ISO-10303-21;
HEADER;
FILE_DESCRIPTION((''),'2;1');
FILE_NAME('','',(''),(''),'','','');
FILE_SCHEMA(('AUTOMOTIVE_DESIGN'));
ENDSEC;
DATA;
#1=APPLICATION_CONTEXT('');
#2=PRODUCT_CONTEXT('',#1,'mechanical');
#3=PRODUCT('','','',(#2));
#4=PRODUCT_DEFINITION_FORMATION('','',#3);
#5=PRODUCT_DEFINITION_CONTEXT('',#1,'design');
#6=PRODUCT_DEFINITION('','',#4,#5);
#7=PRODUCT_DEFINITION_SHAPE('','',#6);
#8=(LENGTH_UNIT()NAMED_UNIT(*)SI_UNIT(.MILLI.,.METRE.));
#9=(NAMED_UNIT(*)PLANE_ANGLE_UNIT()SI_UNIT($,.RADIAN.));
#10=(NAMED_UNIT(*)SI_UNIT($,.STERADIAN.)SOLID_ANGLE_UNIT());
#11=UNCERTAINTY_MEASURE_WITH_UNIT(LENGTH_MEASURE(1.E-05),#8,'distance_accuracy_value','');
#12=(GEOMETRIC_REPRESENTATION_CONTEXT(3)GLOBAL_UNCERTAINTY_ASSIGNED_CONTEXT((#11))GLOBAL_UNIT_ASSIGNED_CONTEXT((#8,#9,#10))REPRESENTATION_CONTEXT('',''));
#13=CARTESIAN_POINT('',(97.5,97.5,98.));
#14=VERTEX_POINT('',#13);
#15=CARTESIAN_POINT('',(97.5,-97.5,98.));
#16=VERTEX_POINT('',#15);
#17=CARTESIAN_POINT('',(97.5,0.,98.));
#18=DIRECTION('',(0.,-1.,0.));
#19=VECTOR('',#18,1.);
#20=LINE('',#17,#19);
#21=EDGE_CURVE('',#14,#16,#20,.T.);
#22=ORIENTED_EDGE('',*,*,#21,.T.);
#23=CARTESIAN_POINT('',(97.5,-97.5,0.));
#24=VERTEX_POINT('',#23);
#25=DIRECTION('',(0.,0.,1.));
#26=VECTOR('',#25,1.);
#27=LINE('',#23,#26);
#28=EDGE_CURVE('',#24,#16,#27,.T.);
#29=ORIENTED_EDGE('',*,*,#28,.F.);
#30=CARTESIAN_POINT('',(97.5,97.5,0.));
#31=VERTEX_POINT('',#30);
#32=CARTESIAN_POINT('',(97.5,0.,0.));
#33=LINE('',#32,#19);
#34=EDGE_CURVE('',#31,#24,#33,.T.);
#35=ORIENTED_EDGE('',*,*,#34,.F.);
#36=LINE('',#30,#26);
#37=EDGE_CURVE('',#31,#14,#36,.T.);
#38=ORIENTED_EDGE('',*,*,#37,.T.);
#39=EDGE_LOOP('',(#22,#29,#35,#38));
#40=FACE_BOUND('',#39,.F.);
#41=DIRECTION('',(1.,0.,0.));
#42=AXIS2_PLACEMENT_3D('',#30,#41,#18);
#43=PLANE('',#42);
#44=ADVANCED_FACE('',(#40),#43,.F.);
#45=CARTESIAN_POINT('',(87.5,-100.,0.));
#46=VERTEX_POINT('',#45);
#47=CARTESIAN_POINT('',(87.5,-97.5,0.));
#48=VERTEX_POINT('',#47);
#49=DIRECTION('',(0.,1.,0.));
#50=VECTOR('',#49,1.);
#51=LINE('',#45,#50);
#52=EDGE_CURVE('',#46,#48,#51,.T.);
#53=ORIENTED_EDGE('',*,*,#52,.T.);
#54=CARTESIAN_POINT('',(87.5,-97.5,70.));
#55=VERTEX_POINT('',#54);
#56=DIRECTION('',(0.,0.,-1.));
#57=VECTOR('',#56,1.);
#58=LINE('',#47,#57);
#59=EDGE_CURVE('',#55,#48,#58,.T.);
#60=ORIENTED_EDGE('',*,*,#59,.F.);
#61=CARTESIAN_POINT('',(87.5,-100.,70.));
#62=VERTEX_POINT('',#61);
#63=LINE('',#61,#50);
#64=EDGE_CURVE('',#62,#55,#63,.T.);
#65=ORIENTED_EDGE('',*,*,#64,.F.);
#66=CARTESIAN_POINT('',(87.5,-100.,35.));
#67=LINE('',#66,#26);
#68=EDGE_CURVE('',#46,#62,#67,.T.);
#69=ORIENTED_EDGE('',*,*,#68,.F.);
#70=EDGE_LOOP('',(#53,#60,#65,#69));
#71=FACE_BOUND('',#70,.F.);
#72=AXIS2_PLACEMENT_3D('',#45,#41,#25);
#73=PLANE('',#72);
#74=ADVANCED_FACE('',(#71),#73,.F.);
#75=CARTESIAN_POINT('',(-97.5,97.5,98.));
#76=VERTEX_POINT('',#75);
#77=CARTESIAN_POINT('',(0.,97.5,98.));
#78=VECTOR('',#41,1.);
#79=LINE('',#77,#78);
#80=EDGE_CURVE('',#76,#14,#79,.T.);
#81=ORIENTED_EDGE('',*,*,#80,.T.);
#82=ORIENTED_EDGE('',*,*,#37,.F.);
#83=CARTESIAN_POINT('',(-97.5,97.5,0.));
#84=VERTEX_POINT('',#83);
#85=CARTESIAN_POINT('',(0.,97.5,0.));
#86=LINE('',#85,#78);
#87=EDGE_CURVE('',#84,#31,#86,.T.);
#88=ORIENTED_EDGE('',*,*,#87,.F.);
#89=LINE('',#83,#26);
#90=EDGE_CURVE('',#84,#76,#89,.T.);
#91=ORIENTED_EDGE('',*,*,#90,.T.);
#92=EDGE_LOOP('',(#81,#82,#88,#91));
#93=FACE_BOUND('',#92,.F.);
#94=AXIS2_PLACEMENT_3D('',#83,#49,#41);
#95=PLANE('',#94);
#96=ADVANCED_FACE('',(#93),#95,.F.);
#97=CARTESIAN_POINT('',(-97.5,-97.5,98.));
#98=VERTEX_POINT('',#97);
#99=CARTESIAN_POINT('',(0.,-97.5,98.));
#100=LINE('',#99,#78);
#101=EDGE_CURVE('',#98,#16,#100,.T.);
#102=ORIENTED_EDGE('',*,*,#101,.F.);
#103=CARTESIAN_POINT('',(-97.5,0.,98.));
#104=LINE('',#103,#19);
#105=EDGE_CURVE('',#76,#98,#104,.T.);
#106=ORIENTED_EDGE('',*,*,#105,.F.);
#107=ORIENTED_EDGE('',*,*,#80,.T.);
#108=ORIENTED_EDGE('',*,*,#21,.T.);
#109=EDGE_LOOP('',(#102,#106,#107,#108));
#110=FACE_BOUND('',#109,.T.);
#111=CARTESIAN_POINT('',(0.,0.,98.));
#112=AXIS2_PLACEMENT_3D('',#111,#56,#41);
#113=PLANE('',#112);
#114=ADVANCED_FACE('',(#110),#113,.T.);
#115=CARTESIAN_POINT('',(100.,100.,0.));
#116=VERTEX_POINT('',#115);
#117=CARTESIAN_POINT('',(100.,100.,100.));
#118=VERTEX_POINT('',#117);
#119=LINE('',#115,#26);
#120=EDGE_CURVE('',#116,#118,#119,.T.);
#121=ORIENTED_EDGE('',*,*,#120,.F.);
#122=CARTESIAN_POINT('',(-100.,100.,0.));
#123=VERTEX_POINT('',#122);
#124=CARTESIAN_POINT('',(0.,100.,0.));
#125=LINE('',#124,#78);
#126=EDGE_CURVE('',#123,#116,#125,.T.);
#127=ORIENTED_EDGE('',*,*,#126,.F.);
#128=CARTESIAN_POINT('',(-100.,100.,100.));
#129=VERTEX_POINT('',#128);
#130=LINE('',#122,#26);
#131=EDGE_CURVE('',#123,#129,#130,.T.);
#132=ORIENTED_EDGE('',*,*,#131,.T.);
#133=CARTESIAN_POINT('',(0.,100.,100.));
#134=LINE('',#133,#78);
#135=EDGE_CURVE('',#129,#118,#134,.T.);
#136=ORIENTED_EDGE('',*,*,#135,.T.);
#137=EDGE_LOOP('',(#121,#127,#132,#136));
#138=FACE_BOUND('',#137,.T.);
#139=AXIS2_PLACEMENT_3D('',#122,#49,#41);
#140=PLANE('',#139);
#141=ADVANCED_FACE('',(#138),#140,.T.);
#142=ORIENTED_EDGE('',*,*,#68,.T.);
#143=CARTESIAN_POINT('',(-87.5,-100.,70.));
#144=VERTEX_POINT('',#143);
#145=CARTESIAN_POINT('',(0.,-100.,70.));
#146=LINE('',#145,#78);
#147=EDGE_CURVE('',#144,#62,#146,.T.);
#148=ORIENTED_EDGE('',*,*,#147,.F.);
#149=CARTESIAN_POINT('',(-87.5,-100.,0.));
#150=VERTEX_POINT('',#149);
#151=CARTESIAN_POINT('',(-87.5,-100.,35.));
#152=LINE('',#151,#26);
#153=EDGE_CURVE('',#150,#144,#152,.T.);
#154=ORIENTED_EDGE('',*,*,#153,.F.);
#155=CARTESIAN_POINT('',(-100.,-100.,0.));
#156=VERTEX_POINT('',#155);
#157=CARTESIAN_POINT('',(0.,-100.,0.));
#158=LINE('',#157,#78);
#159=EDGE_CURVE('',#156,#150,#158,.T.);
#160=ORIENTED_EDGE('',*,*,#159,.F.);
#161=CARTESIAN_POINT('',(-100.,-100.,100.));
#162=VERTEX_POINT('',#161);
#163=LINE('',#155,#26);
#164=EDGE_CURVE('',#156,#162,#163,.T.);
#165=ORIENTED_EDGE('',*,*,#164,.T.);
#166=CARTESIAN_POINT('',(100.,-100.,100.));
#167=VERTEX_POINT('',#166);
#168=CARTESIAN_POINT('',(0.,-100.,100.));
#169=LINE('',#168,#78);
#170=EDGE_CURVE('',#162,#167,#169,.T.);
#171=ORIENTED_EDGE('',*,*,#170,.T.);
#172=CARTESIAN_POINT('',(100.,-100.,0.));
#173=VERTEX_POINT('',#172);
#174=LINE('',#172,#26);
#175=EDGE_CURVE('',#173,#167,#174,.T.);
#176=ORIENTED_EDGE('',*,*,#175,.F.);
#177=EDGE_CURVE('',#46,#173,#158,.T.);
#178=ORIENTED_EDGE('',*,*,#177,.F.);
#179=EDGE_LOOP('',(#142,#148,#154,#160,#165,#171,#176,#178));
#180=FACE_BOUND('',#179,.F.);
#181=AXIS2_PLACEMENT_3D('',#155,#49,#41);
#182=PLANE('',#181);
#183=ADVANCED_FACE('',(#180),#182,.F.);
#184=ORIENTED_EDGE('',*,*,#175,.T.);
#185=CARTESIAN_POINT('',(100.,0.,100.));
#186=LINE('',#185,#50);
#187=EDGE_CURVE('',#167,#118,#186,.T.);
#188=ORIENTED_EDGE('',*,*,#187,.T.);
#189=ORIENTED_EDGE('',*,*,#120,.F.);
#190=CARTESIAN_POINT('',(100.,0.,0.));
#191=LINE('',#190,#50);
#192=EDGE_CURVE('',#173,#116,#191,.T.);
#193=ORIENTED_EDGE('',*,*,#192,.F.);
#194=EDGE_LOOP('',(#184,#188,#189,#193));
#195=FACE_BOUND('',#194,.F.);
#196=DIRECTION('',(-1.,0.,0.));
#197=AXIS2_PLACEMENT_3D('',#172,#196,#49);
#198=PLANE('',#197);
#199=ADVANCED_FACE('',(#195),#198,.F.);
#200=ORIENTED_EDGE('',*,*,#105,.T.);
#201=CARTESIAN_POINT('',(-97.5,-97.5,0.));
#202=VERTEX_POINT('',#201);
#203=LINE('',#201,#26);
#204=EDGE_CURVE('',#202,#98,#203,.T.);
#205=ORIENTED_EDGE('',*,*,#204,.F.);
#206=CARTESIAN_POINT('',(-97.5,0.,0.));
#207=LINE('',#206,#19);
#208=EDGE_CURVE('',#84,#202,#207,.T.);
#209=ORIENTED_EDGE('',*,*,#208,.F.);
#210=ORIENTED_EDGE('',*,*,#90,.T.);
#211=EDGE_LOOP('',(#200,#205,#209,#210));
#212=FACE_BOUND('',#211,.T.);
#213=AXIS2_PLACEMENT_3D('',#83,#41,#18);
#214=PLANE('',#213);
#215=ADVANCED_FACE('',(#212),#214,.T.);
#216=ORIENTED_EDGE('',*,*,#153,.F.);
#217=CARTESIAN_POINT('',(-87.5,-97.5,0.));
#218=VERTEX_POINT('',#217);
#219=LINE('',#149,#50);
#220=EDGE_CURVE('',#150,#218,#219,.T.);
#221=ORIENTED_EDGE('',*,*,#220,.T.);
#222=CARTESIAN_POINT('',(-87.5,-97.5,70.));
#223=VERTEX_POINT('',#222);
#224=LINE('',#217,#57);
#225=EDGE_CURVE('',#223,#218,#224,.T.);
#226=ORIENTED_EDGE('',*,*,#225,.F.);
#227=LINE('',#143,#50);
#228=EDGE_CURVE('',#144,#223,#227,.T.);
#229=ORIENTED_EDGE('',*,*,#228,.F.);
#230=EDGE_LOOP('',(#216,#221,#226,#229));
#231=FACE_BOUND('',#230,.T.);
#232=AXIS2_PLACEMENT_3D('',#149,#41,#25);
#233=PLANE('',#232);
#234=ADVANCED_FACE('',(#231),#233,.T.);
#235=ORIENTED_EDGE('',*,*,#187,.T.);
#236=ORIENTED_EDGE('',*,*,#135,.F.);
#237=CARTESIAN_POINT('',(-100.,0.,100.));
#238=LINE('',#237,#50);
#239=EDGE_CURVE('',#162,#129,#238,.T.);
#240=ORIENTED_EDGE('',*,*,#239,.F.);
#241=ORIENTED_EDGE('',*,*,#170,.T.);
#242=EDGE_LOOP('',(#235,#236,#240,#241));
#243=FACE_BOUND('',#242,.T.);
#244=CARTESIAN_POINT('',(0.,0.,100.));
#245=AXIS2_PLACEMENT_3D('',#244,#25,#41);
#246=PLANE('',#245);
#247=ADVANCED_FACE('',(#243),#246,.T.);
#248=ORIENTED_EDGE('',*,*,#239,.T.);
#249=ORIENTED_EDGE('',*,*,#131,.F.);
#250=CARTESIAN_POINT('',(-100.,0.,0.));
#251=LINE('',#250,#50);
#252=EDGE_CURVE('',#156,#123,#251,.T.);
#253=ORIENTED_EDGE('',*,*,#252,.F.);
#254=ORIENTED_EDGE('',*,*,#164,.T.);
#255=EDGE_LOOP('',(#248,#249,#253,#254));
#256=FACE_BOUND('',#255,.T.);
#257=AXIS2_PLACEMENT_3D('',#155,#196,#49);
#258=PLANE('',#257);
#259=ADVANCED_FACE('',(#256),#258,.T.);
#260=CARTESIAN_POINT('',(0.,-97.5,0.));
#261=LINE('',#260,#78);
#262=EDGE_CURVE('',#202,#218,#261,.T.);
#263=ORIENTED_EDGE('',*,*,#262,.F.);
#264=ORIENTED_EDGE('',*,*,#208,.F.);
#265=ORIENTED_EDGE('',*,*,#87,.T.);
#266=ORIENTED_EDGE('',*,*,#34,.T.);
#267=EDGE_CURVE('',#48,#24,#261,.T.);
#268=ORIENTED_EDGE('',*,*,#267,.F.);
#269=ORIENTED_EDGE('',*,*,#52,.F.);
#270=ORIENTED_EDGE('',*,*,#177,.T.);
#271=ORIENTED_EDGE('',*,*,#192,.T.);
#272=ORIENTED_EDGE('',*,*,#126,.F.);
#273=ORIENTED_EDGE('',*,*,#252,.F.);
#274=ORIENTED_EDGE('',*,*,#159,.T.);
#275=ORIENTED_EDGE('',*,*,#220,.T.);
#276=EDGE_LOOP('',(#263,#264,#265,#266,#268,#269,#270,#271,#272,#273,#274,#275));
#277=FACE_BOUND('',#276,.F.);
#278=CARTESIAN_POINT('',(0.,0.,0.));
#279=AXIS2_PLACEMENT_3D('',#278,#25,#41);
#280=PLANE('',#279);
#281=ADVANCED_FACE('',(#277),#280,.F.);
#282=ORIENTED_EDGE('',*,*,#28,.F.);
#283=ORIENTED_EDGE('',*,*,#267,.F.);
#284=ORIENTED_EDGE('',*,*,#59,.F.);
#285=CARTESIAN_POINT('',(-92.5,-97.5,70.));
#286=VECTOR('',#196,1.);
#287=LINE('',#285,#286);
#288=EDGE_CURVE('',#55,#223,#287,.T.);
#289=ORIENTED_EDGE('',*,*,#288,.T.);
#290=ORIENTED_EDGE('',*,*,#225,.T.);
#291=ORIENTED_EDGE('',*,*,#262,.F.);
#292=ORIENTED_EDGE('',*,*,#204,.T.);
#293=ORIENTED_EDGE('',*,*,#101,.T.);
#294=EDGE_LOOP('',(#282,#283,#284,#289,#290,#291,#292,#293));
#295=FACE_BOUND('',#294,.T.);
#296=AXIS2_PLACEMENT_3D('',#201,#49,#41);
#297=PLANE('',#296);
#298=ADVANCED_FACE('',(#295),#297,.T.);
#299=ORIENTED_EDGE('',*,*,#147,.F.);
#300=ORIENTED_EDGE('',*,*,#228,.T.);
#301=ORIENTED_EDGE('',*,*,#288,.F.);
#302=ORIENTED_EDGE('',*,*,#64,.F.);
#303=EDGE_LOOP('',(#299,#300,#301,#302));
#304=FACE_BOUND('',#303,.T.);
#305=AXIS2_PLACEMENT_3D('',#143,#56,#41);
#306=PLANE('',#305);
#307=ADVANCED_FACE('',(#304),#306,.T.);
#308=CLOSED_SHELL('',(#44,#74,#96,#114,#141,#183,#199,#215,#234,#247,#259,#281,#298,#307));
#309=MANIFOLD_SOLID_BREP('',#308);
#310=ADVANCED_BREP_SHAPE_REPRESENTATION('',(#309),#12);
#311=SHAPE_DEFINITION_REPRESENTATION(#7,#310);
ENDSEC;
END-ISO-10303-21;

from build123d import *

# Parameters (mm, degrees)
SKETCH_W        = 200
SKETCH_H        = 200
PAD_DEPTH       = 100
SKETCH001_W     = 195
SKETCH001_H     = 195
POCKET_DEPTH    = 98
SKETCH002_W     = 175
SKETCH002_H     = 70
POCKET001_DEPTH = 25


with BuildPart() as part:
    # Sketch → Pad (new body)
    with BuildSketch(Plane.XY):
        Rectangle(SKETCH_W, SKETCH_H)
    extrude(amount=PAD_DEPTH)

    # Sketch001 (on Face5 of Pad) → Pocket (cut)
    with BuildSketch(Plane(origin=(0, 0, 0), x_dir=(1, 0, 0), z_dir=(0, 0, -1))):
        Rectangle(SKETCH001_W, SKETCH001_H)
    extrude(amount=-POCKET_DEPTH, mode=Mode.SUBTRACT)

    # Sketch002 (on Face6 of Pocket) → Pocket001 (cut)
    with BuildSketch(Plane.XZ.offset(100)):
        with Locations((0, 35)):
            Rectangle(SKETCH002_W, SKETCH002_H)
    extrude(amount=-POCKET001_DEPTH, mode=Mode.SUBTRACT)


solid = part.part
